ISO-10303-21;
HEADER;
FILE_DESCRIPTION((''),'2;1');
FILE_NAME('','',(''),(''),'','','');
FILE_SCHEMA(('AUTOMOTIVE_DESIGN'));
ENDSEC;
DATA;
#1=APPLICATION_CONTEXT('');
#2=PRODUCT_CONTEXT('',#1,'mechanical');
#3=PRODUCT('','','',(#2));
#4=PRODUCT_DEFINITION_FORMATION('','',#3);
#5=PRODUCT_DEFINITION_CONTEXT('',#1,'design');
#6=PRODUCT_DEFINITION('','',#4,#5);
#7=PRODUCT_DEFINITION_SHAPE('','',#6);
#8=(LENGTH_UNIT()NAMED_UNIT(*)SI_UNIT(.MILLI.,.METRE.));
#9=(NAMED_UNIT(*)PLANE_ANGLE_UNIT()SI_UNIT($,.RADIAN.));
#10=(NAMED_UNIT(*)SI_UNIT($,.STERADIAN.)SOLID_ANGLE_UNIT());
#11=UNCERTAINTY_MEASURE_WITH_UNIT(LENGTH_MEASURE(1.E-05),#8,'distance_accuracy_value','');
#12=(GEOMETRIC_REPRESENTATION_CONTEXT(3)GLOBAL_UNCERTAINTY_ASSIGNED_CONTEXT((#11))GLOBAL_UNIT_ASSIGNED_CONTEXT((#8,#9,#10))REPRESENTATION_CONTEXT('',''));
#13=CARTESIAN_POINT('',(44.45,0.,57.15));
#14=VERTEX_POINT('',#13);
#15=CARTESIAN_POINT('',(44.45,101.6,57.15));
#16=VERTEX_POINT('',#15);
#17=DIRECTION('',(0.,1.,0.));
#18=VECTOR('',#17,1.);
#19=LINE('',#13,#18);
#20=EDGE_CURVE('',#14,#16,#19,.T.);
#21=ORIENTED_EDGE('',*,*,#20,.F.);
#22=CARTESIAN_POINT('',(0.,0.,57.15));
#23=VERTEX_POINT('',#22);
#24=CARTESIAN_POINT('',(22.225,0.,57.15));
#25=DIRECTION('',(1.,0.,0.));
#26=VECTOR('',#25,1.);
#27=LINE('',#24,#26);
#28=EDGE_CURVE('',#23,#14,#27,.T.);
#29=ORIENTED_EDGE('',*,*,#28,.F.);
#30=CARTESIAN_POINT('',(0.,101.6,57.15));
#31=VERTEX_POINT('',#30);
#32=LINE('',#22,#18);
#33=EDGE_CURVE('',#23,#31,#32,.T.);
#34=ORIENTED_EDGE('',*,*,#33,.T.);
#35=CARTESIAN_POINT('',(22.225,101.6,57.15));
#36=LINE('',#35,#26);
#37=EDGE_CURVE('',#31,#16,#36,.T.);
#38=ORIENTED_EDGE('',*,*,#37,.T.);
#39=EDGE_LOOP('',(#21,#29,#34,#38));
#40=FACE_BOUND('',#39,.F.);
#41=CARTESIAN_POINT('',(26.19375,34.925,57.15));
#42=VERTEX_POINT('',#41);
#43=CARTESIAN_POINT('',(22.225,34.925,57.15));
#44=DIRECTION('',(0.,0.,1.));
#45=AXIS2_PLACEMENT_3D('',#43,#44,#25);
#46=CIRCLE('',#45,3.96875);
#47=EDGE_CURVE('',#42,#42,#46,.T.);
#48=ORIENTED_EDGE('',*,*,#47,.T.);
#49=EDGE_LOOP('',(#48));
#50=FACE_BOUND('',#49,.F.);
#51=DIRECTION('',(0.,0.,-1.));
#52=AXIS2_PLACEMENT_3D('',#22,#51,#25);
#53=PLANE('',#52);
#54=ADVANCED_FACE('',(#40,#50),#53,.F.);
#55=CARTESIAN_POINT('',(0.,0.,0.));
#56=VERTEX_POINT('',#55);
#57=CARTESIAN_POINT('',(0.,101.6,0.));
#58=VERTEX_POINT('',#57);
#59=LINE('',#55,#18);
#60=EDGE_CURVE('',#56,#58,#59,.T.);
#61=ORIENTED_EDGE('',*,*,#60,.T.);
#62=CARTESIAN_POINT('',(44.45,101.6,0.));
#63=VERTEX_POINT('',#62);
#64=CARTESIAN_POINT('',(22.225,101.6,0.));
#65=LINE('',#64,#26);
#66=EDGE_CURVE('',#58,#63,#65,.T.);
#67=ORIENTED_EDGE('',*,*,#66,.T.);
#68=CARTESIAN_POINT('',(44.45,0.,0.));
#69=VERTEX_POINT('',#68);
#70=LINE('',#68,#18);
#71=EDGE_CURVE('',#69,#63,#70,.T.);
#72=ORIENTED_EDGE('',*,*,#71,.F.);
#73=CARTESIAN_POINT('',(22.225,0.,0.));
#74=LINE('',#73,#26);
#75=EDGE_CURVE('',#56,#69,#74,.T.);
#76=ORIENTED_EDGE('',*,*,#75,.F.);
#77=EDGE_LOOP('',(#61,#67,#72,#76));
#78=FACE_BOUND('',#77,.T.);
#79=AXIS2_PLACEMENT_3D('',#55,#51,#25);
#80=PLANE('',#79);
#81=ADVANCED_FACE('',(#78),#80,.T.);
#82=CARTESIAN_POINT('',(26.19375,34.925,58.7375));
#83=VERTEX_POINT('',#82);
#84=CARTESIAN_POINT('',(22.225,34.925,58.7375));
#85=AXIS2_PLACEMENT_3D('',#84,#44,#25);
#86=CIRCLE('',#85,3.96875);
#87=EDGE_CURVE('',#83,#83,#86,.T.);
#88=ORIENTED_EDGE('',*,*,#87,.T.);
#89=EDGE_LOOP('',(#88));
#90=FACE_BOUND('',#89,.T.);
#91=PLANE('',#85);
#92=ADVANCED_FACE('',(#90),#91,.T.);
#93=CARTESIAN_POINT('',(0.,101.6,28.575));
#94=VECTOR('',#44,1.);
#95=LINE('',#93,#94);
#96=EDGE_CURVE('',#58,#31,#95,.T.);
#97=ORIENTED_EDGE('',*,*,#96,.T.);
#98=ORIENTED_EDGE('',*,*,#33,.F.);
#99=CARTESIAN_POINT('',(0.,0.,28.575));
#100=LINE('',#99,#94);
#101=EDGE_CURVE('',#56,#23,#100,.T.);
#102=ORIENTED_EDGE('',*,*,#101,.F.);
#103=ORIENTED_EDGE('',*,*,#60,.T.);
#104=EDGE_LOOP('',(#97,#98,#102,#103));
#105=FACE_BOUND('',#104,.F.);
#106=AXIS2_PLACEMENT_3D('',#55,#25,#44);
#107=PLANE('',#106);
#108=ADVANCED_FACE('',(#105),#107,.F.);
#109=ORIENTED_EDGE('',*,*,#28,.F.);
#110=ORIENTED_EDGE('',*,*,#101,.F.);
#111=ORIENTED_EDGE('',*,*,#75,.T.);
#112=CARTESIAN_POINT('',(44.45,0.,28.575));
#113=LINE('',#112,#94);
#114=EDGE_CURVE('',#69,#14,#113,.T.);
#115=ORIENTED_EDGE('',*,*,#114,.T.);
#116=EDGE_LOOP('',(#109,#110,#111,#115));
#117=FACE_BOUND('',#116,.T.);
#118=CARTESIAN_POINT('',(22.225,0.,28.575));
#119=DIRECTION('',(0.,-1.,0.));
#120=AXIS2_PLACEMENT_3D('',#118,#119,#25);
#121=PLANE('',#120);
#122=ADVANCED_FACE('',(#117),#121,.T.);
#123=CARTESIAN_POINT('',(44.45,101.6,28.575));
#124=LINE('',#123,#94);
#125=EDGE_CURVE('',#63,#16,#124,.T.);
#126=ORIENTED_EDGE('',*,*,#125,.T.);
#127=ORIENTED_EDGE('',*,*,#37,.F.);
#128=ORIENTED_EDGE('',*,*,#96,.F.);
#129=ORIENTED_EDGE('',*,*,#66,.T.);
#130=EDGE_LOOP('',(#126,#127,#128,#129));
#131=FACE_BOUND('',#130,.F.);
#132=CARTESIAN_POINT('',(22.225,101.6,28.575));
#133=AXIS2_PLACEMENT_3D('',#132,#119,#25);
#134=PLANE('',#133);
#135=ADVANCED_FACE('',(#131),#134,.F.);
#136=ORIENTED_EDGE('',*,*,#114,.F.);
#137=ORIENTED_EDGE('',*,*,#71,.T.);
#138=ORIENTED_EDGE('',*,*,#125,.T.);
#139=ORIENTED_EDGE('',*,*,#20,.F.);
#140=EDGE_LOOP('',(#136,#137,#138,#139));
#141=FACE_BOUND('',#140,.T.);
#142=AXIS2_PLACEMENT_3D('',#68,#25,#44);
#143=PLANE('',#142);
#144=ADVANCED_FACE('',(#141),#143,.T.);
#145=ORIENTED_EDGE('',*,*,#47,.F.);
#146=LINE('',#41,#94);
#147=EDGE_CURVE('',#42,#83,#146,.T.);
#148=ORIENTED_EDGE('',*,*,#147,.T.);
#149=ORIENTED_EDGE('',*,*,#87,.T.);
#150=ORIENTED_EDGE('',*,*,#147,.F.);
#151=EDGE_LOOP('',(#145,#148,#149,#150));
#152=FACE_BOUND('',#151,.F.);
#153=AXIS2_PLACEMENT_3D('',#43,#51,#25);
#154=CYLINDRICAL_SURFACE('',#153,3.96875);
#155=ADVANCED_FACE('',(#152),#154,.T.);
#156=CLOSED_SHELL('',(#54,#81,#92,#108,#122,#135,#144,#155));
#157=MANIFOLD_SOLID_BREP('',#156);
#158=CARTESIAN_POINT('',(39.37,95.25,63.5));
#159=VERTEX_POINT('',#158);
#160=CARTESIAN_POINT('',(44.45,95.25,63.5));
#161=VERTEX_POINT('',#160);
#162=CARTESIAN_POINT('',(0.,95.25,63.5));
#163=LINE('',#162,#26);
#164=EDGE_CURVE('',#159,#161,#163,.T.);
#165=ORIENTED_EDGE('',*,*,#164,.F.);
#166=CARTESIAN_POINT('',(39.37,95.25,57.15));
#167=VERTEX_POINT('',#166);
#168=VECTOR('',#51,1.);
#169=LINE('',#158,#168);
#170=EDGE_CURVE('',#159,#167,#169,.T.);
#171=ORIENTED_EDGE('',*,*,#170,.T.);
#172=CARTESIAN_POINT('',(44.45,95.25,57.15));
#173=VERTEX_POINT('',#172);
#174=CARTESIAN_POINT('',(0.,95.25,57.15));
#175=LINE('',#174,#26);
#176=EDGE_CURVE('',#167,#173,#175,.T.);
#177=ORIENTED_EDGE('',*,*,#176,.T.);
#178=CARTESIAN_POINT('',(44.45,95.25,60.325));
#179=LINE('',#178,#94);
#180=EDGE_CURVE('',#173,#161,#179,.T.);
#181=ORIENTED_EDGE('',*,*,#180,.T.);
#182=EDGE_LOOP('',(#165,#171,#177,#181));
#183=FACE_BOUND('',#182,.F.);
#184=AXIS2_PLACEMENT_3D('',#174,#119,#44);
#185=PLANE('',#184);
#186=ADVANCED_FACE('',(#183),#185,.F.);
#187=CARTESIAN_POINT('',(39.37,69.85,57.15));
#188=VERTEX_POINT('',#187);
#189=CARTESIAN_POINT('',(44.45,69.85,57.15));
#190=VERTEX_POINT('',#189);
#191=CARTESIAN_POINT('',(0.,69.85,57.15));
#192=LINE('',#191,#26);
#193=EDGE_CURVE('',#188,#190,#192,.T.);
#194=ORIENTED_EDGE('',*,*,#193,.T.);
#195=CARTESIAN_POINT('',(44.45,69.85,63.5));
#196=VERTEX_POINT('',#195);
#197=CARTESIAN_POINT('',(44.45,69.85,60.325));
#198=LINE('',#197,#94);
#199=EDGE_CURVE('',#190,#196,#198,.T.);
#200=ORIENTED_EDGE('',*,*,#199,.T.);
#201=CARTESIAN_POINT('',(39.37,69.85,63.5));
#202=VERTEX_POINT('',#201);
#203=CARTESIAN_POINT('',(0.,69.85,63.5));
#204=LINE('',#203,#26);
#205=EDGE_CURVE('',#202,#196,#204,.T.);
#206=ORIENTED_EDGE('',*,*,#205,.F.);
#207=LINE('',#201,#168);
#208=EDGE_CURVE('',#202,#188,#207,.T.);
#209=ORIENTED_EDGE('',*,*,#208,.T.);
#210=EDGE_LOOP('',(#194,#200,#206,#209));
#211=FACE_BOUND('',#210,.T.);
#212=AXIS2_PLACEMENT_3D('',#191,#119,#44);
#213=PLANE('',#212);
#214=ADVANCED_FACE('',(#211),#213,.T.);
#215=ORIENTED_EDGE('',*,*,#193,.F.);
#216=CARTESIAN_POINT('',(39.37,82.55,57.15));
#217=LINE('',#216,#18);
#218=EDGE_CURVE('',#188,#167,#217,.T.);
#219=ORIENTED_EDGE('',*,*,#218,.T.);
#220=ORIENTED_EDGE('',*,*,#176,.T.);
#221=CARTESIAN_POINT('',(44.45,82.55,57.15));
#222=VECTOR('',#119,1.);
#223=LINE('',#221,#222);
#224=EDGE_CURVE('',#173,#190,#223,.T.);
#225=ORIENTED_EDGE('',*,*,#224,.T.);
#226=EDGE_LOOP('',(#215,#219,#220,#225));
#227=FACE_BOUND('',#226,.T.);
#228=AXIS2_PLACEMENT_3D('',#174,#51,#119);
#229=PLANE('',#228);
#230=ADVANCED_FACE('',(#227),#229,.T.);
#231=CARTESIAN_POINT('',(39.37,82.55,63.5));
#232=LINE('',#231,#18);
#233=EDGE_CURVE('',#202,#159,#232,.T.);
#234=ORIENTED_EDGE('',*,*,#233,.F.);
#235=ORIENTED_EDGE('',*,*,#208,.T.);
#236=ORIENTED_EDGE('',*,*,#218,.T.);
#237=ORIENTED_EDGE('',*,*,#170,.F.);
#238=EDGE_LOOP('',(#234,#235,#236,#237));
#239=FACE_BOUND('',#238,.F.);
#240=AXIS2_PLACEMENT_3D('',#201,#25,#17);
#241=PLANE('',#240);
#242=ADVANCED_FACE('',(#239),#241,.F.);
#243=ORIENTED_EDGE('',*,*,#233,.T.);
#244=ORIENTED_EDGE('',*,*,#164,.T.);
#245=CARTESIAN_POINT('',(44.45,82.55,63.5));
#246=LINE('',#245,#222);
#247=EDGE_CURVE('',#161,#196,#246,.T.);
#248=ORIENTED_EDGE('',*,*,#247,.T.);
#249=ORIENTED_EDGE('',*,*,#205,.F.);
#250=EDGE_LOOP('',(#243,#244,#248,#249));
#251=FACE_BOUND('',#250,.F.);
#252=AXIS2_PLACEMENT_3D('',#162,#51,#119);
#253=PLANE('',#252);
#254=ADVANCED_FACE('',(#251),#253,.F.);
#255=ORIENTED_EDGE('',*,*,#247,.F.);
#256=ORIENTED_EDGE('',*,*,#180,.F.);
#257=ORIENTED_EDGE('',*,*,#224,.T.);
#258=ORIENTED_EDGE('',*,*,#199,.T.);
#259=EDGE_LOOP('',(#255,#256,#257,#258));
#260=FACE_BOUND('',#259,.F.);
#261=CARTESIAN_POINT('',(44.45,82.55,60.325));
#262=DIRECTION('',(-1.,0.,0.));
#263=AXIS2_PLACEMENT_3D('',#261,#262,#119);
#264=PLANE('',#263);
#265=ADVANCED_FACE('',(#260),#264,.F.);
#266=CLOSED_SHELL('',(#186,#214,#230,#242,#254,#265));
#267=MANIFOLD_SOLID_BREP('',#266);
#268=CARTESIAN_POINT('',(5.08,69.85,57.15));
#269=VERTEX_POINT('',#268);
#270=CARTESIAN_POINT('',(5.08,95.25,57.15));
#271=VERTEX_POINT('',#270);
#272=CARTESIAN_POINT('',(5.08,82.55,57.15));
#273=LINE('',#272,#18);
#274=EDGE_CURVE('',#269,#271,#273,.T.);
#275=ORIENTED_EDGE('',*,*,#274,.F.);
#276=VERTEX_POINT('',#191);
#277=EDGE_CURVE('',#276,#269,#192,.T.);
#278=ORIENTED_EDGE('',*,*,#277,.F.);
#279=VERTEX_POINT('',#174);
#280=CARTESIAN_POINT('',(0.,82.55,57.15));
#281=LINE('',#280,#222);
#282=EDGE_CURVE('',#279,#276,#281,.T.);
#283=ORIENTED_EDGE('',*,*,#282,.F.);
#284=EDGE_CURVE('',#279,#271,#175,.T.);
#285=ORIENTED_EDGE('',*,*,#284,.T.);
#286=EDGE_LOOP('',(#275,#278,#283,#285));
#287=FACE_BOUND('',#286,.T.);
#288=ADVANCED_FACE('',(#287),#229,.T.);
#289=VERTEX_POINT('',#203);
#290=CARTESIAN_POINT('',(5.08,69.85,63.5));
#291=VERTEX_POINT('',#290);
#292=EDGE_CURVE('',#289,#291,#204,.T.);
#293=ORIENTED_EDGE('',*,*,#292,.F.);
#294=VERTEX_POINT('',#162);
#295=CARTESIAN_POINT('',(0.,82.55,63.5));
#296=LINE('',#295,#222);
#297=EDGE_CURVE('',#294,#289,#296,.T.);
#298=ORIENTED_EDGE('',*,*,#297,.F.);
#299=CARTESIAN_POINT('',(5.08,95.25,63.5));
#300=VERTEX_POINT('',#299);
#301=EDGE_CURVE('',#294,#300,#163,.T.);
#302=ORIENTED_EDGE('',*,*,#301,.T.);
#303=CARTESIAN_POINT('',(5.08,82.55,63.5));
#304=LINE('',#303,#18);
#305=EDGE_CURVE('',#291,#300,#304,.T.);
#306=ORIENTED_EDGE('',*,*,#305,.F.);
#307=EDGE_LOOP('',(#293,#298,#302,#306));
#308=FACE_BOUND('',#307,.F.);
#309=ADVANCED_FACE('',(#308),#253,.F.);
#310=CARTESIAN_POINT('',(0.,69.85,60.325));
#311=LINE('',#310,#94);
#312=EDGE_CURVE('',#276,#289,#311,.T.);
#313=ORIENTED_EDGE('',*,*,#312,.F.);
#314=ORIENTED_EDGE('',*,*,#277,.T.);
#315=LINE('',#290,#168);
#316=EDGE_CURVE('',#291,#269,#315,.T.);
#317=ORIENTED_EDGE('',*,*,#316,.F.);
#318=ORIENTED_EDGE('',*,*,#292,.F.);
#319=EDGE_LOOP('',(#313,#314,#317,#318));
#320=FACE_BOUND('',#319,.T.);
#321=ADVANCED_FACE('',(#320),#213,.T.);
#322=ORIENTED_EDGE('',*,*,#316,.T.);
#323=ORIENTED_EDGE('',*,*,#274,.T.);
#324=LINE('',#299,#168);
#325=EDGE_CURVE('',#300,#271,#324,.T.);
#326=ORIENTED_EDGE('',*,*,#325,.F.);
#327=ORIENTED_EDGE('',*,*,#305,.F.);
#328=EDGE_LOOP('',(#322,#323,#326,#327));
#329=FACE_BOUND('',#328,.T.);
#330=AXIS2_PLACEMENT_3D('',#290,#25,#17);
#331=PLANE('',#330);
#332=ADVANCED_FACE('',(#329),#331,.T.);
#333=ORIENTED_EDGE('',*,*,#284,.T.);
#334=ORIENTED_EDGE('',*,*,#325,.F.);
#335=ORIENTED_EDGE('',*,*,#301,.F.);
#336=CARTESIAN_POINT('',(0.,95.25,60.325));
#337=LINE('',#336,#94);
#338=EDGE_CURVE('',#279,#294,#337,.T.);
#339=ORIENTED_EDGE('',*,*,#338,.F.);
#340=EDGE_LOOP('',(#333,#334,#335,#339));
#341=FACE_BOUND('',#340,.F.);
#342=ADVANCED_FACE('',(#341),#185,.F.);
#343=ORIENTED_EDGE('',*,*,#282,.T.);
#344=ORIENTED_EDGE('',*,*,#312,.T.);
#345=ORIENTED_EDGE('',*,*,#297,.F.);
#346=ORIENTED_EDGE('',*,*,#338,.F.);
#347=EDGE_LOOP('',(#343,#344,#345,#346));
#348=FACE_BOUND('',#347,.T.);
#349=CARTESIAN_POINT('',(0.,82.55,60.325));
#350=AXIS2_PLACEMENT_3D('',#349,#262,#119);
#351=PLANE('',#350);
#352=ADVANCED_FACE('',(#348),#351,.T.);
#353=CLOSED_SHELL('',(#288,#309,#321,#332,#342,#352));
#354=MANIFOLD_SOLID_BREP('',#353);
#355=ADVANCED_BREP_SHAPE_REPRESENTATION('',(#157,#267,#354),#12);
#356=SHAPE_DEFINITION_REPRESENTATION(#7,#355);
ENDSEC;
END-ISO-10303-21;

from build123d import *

# Parameters (mm, degrees)
F0_W     = 44.45
F0_H     = 57.15
F1_DEPTH = 101.6
F2_W     = 25.4
F2_H     = 6.35
F3_DEPTH = 44.45
F4_W     = 34.29
F4_H     = 25.4
F5_DEPTH = 6.35
F6_R     = 3.96875
F7_DEPTH = 1.5875
F8_DEPTH = 6.35


with BuildPart() as f1:
    # F0 (on Front) → F1 (new body)
    with BuildSketch(Plane.XZ):
        with Locations((22.225, 28.575)):
            Rectangle(F0_W, F0_H)
    extrude(amount=-F1_DEPTH)

    # F6 (on face) → F7 (join)
    with BuildSketch(Plane.XY.offset(57.15)):
        with Locations((22.225, 34.925)):
            Circle(F6_R)
    extrude(amount=F7_DEPTH)

    # F4 (on face) → F8 (cut)
    with BuildSketch(Plane.XY.offset(63.5)):
        with Locations((22.225, 82.55)):
            Rectangle(F4_W, F4_H)
    extrude(amount=-F8_DEPTH, mode=Mode.SUBTRACT)


with BuildPart() as f3:
    # F2 (on face) → F3 (new body)
    with BuildSketch(Plane(origin=(0, 0, 0), x_dir=(0, -1, 0), z_dir=(-1, 0, 0))):
        with Locations((-82.55, 60.325)):
            Rectangle(F2_W, F2_H)
    extrude(amount=-F3_DEPTH)

    # F4 (on face) → F5 (cut)
    with BuildSketch(Plane.XY.offset(63.5)):
        with Locations((22.225, 82.55)):
            Rectangle(F4_W, F4_H)
    extrude(amount=-F5_DEPTH, mode=Mode.SUBTRACT)


solid = Compound([f1.part, f3.part])
